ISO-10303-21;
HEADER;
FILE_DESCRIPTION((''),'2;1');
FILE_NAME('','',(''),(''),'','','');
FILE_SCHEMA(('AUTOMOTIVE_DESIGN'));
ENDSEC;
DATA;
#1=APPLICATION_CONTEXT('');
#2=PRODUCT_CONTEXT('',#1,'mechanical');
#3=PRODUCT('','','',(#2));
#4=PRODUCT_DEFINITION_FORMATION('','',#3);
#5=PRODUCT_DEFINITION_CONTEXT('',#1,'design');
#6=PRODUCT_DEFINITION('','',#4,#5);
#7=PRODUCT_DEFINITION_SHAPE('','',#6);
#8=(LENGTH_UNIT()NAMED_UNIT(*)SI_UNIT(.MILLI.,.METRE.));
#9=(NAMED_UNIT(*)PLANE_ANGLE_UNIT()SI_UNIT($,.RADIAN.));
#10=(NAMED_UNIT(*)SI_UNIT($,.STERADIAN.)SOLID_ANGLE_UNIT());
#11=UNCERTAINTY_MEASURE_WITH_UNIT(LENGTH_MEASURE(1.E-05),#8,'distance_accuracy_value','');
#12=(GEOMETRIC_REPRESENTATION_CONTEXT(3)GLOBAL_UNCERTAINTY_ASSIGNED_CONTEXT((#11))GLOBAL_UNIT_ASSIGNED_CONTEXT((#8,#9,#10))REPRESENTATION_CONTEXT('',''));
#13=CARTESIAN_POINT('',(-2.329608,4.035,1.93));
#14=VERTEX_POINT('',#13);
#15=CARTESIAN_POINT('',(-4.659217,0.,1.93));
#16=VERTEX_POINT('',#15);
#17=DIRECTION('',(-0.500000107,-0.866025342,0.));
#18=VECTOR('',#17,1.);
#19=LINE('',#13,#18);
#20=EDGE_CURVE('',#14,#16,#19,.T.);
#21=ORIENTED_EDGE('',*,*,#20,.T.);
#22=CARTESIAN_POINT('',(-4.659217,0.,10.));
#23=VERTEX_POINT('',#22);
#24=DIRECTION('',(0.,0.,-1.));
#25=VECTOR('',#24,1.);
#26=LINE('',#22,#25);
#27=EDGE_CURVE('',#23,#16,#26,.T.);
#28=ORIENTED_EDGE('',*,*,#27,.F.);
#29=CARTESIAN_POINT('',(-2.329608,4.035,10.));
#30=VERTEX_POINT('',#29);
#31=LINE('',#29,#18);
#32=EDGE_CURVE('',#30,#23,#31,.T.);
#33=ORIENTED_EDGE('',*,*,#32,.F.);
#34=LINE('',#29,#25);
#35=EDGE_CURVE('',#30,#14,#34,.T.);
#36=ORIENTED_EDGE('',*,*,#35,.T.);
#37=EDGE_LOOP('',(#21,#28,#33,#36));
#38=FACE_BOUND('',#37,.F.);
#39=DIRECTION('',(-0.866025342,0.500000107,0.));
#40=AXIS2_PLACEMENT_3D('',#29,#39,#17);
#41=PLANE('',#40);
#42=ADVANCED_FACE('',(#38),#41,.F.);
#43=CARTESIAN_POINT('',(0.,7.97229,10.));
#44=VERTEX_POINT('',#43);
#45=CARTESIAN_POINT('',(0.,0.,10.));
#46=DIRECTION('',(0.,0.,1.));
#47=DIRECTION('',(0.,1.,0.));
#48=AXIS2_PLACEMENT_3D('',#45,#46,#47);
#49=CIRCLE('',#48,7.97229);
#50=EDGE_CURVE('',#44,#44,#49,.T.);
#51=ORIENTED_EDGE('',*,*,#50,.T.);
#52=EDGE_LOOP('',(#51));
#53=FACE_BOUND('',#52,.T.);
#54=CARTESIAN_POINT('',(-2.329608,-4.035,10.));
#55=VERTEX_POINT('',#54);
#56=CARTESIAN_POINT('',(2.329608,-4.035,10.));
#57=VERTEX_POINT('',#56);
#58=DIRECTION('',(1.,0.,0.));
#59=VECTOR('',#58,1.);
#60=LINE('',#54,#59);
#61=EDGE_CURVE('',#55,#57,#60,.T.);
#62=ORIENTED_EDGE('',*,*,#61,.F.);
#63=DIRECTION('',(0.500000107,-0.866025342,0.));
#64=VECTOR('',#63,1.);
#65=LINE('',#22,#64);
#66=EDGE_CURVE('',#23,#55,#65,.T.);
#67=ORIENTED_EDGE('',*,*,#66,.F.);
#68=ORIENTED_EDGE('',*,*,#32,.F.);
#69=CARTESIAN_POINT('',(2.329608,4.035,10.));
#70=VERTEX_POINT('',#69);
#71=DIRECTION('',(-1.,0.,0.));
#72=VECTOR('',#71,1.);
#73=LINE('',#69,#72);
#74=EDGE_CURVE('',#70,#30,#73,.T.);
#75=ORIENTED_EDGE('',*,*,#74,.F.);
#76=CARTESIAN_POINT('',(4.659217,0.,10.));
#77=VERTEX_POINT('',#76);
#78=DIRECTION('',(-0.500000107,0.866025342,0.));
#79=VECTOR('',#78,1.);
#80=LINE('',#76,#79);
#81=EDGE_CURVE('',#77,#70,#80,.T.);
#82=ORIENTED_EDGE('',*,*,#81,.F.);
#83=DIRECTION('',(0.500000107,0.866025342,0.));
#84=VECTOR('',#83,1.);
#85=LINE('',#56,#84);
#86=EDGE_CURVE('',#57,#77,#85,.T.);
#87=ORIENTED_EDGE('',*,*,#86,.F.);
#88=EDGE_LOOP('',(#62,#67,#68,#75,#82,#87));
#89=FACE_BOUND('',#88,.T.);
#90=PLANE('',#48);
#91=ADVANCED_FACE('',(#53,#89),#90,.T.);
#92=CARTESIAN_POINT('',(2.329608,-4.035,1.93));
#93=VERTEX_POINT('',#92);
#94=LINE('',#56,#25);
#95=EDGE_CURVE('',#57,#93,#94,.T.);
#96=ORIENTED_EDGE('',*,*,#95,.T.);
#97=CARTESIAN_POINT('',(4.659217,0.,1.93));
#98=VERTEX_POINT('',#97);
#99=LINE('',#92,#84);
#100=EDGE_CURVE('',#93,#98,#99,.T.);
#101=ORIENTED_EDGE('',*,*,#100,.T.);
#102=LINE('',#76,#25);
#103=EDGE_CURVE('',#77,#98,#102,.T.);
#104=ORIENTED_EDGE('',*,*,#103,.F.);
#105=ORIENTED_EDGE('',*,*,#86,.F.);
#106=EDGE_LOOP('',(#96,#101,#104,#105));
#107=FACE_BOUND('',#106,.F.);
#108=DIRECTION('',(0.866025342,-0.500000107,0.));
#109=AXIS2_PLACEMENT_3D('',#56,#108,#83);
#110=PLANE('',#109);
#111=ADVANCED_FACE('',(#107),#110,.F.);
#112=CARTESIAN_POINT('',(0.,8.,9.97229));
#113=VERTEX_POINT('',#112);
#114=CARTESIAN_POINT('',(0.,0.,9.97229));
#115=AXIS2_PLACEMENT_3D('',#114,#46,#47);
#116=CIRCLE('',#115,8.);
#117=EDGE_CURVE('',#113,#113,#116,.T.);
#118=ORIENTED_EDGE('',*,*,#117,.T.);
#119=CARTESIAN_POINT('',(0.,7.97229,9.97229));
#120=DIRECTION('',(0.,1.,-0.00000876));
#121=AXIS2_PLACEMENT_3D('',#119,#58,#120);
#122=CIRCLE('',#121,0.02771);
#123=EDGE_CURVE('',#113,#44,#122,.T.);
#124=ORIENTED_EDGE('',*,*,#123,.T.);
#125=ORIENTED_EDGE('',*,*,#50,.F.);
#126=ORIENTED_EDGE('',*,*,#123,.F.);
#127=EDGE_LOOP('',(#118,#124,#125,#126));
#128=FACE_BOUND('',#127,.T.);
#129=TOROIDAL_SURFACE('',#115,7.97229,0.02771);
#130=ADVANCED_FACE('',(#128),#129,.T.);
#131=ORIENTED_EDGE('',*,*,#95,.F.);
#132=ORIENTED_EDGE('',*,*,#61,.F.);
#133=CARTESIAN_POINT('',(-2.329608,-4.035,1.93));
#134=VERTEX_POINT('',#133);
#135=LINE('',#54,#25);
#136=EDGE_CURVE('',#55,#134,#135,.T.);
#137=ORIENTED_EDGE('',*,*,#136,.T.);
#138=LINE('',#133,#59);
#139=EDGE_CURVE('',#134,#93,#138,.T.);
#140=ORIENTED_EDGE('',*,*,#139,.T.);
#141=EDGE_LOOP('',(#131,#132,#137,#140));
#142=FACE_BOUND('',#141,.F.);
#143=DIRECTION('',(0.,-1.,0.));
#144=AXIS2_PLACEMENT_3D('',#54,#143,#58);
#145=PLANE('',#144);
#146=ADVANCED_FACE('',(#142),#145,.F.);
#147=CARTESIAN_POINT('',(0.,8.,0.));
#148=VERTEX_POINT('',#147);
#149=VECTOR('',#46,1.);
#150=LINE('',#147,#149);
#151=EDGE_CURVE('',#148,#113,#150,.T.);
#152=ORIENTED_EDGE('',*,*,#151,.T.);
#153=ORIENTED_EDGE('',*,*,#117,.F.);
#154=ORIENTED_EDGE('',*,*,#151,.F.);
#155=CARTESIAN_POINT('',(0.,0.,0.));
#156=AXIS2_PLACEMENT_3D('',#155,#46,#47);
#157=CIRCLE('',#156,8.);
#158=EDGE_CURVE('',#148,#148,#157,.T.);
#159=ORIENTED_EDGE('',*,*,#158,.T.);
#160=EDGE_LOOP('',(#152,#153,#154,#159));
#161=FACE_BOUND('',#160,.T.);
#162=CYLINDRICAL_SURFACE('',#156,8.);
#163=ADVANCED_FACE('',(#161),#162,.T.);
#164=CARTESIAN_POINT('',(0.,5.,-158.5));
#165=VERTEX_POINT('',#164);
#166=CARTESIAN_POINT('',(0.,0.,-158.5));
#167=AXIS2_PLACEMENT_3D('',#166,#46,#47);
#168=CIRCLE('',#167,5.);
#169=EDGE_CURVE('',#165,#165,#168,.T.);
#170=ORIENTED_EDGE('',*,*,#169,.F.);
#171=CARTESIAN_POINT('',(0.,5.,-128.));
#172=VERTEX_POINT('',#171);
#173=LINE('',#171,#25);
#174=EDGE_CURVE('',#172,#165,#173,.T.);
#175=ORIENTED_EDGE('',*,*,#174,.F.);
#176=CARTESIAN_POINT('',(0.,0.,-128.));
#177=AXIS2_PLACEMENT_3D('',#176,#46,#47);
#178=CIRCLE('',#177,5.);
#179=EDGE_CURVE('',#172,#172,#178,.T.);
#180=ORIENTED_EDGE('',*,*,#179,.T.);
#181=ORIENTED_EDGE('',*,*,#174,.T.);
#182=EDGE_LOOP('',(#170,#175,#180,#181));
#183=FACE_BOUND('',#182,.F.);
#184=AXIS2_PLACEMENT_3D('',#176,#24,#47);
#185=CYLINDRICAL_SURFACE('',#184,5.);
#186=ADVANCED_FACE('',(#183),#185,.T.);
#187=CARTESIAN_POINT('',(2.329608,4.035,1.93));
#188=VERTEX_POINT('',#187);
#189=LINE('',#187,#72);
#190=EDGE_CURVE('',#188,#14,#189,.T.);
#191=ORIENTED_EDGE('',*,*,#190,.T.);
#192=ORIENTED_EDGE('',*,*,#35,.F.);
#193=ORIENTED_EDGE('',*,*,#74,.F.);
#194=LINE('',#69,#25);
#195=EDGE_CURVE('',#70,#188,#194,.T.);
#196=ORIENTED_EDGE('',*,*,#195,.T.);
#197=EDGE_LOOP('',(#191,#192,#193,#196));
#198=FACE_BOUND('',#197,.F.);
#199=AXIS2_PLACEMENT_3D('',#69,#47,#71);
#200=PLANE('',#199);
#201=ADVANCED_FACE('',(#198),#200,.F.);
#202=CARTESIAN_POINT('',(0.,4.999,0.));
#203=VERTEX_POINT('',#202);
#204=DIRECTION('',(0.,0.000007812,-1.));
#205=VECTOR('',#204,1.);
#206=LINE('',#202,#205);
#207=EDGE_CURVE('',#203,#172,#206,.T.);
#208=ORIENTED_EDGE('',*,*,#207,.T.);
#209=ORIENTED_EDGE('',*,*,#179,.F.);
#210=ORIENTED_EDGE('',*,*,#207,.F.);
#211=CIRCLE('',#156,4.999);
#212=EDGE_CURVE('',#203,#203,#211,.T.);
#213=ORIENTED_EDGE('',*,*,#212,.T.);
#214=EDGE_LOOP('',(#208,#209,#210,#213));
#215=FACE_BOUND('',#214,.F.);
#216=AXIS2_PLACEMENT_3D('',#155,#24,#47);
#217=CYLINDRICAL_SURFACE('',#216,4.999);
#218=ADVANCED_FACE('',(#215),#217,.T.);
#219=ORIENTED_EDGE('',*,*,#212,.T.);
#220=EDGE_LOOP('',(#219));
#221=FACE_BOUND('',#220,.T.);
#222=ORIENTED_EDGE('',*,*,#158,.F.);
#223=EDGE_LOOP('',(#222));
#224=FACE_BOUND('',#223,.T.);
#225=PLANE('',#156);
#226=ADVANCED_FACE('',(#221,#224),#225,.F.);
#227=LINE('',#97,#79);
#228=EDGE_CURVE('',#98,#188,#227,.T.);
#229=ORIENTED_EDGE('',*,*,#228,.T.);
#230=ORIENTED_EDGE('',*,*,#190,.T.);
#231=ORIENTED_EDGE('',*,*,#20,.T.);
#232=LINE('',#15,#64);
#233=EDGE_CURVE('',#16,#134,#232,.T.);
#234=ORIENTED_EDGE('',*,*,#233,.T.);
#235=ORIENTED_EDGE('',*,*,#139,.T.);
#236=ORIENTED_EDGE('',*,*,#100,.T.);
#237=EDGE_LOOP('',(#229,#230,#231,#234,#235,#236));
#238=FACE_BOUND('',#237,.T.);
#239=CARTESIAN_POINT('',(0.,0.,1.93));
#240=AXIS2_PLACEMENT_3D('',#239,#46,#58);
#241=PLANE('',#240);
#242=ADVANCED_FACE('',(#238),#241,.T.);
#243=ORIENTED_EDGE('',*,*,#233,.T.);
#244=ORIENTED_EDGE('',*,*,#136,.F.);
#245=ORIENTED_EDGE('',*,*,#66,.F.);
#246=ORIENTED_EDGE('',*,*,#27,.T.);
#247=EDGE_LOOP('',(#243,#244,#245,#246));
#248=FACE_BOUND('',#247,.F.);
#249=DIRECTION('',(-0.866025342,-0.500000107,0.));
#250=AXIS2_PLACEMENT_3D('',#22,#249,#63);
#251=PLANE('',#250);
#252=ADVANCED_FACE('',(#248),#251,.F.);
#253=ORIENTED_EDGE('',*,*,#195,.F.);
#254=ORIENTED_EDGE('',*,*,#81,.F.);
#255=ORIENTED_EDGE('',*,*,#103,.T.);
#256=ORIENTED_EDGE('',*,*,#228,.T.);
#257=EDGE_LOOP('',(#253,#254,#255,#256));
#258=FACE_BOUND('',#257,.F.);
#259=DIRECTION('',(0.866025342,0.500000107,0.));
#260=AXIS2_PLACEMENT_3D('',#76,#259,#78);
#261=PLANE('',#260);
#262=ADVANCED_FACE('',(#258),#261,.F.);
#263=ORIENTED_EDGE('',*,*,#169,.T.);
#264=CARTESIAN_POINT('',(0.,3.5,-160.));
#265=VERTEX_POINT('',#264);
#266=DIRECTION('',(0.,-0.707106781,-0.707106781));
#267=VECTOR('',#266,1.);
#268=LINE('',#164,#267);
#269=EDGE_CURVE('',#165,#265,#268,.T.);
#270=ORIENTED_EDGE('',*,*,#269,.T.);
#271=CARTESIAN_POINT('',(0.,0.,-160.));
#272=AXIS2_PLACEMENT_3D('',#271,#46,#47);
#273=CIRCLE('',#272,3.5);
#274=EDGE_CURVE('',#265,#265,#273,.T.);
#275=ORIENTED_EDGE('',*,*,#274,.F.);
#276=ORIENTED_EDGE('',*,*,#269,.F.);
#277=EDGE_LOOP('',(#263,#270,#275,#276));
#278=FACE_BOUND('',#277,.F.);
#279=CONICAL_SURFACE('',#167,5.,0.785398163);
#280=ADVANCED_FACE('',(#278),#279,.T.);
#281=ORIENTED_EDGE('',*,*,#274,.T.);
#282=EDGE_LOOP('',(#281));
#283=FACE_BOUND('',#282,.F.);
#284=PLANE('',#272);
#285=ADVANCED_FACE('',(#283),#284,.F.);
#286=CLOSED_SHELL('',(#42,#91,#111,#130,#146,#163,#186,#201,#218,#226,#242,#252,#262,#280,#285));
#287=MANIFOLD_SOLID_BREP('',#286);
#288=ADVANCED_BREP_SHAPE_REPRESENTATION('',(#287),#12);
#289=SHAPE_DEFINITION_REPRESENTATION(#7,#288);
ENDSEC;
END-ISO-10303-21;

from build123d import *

# Parameters (mm, degrees)
POCKET_DEPTH = 8.07


with BuildPart() as part:
    # Sketch → Revolve (revolve)
    with BuildSketch(Plane.YZ):
        with BuildLine():
            Line((4.999, 0), (8, 0))
            Line((8, 0), (8, 9.97229))
            ThreePointArc((8, 9.97229), (7.991884, 9.991884), (7.97229, 10))
            Line((7.97229, 10), (0, 10))
            Line((0, -160), (0, 10))
            Line((3.5, -160), (0, -160))
            Line((5, -158.5), (3.5, -160))
            Line((5, -128), (5, -158.5))
            Line((4.999, 0), (5, -128))
        make_face()
    revolve(axis=Axis((0, 0, 0), (0, 0, 1)))

    # Sketch001 → Pocket (cut)
    with BuildSketch(Plane.XY.offset(10)):
        Polygon((4.659217, 0), (2.329608, 4.035), (-2.329608, 4.035), (-4.659217, 0), (-2.329608, -4.035), (2.329608, -4.035), align=None)
    extrude(amount=-POCKET_DEPTH, mode=Mode.SUBTRACT)


solid = part.part
